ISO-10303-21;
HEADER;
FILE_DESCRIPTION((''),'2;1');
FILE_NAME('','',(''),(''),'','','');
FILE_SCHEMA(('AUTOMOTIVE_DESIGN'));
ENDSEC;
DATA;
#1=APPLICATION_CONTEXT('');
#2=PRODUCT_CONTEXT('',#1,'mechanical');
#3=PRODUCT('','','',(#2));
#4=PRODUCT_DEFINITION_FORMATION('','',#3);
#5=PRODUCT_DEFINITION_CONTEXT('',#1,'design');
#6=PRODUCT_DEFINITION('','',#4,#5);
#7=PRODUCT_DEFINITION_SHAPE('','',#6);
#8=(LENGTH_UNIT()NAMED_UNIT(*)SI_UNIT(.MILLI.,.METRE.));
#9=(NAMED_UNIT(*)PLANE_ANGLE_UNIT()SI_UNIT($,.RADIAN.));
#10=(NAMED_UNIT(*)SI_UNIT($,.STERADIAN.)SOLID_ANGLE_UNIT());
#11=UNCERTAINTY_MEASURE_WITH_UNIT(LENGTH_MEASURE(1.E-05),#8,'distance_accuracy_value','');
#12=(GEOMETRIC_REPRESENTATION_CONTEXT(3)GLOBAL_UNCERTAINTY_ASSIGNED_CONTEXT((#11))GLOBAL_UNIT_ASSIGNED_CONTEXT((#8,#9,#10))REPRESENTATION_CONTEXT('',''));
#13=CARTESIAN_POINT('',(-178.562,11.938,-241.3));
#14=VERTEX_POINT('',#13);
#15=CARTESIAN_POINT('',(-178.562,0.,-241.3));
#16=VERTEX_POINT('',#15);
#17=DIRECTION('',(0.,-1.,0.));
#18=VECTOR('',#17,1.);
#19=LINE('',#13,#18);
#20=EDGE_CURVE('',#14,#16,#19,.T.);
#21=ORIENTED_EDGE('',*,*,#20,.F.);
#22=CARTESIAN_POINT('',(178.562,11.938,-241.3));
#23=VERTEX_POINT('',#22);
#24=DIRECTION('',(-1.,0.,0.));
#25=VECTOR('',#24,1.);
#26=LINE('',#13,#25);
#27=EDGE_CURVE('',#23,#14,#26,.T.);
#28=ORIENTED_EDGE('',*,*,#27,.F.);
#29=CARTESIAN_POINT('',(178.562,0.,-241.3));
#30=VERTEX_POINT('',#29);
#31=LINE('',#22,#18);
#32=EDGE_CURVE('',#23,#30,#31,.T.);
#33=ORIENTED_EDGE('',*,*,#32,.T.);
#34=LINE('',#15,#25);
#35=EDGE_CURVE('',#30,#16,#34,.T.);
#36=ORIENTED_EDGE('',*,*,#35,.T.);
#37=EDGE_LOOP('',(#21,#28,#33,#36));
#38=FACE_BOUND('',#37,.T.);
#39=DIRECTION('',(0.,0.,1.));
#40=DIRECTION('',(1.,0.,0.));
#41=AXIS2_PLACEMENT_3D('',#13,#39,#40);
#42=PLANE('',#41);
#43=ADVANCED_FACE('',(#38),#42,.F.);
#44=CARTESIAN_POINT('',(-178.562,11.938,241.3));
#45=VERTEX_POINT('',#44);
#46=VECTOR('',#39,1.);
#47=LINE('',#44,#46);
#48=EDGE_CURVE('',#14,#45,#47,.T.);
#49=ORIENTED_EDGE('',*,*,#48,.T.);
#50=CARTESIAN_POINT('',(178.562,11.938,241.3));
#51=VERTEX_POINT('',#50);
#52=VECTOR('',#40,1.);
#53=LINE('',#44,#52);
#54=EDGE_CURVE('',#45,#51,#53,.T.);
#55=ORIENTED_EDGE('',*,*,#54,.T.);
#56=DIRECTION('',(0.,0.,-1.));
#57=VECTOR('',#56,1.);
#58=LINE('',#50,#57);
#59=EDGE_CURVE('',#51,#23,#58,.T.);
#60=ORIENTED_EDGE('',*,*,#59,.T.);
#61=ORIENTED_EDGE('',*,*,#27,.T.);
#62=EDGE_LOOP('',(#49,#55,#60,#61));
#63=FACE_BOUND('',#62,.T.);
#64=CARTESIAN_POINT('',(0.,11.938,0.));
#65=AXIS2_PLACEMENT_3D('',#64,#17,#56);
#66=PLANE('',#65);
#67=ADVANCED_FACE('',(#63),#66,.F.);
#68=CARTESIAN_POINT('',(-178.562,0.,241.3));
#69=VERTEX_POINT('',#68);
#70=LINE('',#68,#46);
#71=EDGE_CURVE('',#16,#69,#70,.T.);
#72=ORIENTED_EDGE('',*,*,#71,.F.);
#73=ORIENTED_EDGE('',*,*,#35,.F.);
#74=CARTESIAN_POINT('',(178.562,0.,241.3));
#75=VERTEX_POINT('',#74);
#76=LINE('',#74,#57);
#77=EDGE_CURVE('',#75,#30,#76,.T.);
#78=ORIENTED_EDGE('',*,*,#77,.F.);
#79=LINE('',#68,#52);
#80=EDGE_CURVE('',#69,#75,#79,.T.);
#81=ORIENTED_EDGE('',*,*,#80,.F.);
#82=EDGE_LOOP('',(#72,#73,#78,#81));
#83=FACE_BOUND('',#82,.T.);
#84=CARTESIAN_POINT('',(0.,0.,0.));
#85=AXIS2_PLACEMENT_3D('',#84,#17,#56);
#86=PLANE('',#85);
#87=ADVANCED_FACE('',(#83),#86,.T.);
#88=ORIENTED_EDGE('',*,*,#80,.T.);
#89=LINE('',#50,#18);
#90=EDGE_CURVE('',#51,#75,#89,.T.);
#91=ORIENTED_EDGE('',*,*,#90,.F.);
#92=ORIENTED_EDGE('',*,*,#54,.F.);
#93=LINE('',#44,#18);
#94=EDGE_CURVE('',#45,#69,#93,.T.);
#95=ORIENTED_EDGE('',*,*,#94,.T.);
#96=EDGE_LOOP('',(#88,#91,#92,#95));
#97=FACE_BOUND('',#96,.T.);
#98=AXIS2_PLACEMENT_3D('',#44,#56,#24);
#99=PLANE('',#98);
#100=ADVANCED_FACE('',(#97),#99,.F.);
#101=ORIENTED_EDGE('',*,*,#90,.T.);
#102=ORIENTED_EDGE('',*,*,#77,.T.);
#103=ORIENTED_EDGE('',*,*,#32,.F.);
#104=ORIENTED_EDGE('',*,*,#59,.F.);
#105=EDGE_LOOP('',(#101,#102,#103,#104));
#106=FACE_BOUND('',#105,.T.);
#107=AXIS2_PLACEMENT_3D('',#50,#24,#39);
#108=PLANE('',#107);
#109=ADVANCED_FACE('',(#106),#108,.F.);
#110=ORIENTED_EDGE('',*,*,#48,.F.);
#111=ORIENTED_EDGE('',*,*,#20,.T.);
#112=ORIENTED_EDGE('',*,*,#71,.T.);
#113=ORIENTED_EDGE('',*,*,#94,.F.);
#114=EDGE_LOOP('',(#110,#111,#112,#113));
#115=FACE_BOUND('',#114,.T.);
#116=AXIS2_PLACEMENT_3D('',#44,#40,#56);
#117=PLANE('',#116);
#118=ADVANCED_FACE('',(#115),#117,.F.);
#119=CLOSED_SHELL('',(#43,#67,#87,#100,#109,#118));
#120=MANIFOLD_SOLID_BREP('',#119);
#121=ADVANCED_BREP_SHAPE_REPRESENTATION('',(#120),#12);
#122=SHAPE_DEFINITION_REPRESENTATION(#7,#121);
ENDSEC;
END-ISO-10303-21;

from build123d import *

# Parameters (mm, degrees)
SKETCH1_W           = 357.124
SKETCH1_H           = 482.6
BOSS_EXTRUDE1_DEPTH = 11.938


with BuildPart() as part:
    # Sketch1 → Boss-Extrude1 (new body)
    with BuildSketch(Plane(origin=(0, 0, 0), x_dir=(1, 0, 0), z_dir=(0, 1, 0))):
        Rectangle(SKETCH1_W, SKETCH1_H)
    extrude(amount=BOSS_EXTRUDE1_DEPTH)


solid = part.part
